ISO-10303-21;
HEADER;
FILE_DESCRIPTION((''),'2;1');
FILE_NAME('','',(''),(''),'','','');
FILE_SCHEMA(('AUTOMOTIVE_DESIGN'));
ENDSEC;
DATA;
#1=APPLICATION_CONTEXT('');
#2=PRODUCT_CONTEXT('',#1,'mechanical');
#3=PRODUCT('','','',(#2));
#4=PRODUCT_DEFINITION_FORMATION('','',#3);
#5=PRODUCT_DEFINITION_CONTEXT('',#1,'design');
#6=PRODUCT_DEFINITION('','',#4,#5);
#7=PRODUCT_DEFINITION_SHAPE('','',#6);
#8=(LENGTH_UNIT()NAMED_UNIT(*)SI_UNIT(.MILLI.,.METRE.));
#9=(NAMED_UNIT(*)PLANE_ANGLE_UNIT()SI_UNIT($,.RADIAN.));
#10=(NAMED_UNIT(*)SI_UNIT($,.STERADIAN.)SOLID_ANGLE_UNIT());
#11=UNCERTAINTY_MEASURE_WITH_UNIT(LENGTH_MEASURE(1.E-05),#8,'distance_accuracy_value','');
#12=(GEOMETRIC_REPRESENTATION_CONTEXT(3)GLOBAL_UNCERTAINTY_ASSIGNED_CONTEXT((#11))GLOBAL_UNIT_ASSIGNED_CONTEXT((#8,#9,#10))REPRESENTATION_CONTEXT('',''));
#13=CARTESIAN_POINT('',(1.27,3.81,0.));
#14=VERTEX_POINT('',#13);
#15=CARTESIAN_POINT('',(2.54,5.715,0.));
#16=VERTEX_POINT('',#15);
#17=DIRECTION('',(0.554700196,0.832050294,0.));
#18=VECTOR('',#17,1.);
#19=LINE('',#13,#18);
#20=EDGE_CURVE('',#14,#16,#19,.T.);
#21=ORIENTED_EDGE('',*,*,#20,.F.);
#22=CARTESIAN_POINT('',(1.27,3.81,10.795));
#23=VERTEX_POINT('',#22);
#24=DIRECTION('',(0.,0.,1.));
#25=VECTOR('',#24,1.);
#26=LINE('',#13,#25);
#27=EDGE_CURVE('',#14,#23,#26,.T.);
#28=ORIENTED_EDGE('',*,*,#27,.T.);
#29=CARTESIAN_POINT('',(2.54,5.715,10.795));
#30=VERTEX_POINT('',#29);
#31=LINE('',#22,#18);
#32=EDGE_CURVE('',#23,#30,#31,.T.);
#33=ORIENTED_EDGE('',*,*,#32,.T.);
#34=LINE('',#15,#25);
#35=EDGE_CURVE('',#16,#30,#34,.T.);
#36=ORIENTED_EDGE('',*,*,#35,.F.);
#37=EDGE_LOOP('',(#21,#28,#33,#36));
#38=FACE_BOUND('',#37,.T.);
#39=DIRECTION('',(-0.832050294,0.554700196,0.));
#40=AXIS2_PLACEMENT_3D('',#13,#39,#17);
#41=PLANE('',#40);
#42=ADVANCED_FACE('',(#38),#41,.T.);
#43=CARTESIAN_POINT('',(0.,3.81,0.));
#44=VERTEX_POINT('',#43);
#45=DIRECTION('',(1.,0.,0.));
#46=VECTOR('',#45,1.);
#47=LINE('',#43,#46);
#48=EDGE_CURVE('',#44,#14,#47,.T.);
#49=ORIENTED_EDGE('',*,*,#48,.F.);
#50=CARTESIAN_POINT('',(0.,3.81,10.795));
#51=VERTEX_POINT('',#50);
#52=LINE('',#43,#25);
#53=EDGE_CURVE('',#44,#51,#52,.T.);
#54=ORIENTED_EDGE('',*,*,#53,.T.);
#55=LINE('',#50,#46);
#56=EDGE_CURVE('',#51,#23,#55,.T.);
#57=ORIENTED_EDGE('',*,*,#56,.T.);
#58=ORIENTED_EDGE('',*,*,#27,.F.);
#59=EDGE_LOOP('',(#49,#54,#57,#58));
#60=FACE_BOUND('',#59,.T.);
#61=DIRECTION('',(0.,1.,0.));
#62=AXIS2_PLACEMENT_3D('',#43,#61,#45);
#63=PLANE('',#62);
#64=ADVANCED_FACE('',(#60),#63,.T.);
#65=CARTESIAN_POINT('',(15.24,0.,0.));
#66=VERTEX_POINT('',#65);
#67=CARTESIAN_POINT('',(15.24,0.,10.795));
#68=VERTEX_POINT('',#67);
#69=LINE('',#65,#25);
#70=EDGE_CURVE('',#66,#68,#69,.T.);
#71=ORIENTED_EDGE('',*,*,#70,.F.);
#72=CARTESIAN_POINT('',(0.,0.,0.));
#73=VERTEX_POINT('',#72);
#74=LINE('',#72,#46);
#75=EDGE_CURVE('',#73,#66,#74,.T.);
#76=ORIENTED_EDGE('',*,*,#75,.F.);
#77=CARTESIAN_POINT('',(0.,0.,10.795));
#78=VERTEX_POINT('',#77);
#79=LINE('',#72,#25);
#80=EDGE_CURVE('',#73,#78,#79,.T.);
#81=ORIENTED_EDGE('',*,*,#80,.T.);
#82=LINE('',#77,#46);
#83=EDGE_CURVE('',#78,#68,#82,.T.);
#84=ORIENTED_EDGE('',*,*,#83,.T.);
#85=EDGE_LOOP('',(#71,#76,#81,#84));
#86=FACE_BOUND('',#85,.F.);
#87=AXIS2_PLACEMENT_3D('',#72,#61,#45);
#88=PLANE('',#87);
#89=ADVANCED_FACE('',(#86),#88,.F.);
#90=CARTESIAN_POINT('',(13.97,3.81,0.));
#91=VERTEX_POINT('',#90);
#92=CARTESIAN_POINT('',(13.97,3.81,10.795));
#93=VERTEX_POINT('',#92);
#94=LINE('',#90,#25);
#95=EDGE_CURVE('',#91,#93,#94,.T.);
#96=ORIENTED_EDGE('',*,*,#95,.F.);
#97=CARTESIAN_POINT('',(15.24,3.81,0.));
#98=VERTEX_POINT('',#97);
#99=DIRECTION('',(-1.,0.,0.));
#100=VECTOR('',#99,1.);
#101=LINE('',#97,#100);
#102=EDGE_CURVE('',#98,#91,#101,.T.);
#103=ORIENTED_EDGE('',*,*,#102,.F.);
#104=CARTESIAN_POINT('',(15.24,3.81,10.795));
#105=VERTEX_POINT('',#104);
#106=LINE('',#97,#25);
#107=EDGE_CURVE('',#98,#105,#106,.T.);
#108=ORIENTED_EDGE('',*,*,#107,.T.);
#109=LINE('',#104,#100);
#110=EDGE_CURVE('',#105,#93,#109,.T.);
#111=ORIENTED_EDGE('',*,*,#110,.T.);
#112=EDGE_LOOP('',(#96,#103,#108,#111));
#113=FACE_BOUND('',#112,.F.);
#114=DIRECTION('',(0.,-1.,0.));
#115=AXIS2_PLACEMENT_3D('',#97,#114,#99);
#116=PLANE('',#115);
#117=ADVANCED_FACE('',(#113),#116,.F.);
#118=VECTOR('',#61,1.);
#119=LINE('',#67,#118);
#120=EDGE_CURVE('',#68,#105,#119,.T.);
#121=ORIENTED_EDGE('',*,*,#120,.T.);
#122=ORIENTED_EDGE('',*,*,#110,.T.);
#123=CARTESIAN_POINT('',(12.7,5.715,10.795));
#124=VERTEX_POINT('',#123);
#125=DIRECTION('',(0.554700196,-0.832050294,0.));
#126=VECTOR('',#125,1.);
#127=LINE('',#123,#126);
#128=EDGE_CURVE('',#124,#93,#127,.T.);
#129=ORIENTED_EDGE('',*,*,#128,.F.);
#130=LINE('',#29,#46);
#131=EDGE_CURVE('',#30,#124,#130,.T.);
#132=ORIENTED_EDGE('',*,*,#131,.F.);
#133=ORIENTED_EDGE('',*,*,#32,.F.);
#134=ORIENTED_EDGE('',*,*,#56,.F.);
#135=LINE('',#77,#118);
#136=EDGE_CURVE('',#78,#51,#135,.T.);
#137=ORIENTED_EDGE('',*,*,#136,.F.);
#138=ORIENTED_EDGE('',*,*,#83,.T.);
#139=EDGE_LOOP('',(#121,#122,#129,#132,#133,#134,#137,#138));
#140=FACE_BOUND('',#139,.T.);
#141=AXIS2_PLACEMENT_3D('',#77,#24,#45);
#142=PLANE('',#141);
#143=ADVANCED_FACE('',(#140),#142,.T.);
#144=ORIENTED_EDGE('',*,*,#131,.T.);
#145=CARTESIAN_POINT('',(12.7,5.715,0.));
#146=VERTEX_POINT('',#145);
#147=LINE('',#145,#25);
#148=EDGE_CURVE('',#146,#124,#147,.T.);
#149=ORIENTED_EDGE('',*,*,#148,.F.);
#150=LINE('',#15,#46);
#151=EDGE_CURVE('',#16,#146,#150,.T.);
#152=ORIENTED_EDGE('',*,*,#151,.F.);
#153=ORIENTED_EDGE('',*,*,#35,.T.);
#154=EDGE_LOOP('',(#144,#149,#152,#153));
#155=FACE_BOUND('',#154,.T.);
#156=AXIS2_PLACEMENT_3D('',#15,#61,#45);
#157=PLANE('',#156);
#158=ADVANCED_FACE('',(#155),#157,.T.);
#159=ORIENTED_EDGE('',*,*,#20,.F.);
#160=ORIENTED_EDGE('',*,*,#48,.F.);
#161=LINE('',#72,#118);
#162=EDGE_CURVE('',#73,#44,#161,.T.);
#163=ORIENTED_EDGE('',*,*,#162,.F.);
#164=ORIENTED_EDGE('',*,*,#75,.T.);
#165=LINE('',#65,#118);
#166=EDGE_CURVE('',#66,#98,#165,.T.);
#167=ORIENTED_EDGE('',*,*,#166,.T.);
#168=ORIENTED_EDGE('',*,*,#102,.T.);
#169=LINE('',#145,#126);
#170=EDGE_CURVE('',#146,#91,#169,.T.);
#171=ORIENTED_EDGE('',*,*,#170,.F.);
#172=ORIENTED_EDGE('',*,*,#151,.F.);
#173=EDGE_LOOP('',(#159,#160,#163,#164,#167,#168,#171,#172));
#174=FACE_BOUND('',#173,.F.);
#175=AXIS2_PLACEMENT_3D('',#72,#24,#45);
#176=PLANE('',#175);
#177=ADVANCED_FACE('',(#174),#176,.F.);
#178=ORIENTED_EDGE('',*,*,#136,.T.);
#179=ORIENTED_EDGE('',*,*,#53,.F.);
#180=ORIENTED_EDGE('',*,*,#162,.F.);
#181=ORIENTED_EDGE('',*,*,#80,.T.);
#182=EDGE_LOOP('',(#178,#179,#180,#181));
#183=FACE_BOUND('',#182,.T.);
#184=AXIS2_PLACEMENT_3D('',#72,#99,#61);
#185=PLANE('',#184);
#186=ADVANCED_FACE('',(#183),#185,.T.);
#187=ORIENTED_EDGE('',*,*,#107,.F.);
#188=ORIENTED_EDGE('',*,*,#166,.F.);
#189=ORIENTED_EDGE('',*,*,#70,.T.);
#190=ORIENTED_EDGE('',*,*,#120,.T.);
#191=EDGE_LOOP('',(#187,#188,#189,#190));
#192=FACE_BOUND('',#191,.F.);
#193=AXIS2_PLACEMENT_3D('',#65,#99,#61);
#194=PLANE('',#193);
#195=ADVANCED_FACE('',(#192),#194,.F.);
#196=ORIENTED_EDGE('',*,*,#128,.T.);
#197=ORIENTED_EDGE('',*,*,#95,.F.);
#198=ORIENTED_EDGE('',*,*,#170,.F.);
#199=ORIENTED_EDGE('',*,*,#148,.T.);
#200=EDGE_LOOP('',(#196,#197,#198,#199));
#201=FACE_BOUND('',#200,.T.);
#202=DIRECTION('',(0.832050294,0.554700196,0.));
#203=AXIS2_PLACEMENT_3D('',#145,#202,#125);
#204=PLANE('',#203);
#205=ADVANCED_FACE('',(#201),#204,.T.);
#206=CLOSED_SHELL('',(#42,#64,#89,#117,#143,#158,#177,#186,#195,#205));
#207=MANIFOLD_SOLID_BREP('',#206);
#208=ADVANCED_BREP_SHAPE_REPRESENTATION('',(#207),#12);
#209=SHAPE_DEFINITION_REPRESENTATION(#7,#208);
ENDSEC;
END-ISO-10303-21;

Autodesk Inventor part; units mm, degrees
ref_plane "YZ Plane" through (0, 0, 0) normal (1, 0, 0) x (0, 1, 0)
ref_plane "XZ Plane" through (0, 0, 0) normal (0, 1, 0) x (-1, 0, 0)
ref_plane "XY Plane" through (0, 0, 0) normal (0, 0, 1) x (1, 0, 0)
sketch "Sketch1" plane through (0, 0, 0) normal (0, 0, 1) x (1, 0, 0)
  line L0 (0, 0) -> (15.24, 0)
  line L1 (15.24, 0) -> (15.24, 3.81)
  line L2 (0, 0) -> (0, 3.81)
  line L3 (0, 3.81) -> (1.27, 3.81)
  line L4 (15.24, 3.81) -> (13.97, 3.81)
  line L5 (1.27, 3.81) -> (2.54, 5.715)
  line L6 (2.54, 5.715) -> (12.7, 5.715)
  line L7 (12.7, 5.715) -> (13.97, 3.81)
  dimension "d0" = 15.24
  dimension "d1" = 3.81
  dimension "d2" = 1.27
  dimension "d3" = 1.27
  dimension "d4" = 1.27
  dimension "d5" = 5.715
  dimension "d6" = 1.27
extrude "Extrusion1" add sketch "Sketch1" along normal blind 10.795
properties part number "PiHDMI" material "Stainless Steel"
